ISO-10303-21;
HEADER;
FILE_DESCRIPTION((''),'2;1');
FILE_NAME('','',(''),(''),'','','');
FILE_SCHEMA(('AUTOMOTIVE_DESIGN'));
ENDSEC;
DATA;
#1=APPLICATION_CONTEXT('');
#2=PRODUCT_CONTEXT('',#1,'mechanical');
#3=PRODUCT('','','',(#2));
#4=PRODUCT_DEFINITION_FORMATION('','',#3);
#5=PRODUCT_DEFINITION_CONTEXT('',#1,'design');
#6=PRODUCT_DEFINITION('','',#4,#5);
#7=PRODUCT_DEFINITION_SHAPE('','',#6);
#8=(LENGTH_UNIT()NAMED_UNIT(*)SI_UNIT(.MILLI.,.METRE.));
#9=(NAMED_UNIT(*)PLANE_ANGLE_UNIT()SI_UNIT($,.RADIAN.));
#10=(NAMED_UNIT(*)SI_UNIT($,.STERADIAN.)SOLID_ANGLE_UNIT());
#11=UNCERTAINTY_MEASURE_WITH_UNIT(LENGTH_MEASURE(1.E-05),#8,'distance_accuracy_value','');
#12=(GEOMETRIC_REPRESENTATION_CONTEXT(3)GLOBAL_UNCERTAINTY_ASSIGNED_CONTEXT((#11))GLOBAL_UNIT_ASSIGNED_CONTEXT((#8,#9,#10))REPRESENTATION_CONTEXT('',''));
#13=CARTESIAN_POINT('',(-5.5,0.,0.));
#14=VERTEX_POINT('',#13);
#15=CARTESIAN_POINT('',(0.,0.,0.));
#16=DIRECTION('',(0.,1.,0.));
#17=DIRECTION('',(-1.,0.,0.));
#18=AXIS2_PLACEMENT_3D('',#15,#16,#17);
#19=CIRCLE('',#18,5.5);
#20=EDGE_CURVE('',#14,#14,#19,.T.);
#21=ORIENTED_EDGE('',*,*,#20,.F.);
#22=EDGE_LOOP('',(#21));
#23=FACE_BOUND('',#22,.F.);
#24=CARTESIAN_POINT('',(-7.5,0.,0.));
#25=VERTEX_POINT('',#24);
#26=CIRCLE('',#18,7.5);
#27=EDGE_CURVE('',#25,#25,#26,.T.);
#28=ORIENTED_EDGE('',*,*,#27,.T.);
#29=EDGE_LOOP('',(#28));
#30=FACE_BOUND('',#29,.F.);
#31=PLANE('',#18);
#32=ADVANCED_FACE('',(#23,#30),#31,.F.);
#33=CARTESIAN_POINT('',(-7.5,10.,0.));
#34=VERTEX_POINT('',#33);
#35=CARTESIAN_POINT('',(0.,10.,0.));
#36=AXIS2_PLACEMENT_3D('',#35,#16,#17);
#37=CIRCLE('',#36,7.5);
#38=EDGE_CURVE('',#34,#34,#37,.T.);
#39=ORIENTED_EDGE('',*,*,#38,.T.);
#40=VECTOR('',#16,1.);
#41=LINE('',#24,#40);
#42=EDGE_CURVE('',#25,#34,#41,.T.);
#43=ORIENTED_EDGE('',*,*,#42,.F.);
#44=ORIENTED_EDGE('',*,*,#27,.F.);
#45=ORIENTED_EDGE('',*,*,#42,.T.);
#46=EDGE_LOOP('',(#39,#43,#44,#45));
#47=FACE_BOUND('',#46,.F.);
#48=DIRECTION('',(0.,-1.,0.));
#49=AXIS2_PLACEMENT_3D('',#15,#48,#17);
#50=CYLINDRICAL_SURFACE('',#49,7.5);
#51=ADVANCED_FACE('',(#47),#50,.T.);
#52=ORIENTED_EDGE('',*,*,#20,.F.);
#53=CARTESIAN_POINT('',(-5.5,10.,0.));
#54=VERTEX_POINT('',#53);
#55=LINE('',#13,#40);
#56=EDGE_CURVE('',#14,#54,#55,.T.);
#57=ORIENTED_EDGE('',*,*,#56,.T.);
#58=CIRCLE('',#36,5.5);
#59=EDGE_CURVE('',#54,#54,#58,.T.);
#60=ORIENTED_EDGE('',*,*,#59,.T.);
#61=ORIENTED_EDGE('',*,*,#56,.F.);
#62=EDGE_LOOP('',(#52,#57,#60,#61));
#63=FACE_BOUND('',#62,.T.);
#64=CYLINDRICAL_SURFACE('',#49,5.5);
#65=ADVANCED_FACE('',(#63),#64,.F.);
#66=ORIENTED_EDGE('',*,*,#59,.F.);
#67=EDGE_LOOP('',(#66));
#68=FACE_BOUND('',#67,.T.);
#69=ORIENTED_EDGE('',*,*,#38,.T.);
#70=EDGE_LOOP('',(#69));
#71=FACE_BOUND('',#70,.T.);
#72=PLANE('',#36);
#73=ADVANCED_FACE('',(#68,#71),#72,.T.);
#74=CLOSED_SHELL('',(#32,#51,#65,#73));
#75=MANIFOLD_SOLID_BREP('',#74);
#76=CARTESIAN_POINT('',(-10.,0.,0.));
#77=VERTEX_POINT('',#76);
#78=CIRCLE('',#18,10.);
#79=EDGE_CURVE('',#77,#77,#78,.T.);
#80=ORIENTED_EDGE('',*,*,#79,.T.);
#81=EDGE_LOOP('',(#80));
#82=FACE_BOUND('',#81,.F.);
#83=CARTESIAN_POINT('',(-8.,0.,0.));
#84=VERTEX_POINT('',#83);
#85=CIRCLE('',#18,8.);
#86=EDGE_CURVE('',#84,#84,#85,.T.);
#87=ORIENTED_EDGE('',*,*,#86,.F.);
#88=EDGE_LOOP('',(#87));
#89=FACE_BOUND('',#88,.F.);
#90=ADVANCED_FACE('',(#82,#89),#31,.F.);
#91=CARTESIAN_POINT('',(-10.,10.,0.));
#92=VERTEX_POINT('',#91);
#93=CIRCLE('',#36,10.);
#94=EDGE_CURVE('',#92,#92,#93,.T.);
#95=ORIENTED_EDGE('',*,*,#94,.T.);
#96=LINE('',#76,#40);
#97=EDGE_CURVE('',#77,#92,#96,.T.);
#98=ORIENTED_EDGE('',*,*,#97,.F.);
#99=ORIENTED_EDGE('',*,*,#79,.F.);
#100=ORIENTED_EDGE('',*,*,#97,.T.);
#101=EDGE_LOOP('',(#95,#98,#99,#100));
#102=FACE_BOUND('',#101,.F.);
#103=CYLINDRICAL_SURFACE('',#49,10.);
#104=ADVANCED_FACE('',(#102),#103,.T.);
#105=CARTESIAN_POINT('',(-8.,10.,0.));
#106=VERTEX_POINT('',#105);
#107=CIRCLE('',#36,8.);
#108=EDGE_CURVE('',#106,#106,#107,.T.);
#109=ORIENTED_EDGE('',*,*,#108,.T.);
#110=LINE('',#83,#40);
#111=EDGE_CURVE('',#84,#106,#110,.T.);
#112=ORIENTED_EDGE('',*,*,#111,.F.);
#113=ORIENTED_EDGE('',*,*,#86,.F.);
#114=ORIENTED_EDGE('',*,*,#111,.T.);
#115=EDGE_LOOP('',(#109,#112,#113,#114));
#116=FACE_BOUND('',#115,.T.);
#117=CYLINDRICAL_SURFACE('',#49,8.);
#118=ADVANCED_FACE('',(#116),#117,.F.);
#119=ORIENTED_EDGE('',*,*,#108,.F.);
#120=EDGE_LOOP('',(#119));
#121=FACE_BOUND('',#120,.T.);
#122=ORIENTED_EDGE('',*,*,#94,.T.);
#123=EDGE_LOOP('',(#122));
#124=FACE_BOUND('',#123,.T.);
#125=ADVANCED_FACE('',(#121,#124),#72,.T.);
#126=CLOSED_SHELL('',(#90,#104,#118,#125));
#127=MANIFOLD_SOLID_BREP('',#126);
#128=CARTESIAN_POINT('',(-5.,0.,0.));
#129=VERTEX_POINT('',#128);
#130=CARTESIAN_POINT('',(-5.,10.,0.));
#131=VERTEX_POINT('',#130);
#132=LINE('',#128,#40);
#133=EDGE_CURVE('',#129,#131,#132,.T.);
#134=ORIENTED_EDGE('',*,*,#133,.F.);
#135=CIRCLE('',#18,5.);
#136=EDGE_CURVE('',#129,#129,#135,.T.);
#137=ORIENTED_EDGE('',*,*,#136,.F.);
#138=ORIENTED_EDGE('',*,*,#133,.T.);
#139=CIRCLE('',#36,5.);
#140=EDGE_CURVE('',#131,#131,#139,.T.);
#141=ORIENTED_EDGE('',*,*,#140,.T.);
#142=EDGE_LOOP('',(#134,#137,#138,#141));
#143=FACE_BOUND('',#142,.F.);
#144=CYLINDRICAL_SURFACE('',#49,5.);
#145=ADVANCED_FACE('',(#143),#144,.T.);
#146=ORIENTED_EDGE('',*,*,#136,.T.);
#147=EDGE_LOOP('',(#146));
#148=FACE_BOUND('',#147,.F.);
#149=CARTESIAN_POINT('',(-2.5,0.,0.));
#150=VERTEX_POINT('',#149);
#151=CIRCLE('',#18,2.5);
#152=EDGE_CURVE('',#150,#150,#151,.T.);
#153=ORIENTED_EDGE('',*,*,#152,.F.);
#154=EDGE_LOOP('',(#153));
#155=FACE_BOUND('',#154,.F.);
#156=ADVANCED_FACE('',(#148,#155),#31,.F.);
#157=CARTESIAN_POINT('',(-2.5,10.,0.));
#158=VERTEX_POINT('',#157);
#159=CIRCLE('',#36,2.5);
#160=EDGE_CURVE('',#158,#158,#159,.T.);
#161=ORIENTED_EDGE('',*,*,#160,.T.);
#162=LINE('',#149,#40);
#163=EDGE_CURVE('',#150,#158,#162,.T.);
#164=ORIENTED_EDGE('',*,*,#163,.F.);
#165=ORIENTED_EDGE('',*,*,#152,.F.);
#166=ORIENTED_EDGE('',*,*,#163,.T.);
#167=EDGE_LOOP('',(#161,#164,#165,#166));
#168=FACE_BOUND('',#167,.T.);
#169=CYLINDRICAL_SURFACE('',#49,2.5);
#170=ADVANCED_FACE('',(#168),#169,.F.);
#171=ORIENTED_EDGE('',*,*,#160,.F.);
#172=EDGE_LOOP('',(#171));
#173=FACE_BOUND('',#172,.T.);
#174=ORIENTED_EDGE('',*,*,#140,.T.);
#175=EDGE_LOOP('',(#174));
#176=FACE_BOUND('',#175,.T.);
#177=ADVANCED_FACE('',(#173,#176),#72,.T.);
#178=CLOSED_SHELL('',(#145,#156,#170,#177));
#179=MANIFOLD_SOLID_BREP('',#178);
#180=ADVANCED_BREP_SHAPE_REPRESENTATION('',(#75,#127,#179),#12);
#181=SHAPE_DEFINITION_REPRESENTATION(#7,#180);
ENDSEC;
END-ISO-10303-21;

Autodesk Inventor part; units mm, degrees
ref_plane "YZ Plane" through (0, 0, 0) normal (1, 0, 0) x (0, 1, 0)
ref_plane "XZ Plane" through (0, 0, 0) normal (0, 1, 0) x (-1, 0, 0)
ref_plane "XY Plane" through (0, 0, 0) normal (0, 0, 1) x (1, 0, 0)
sketch "Sketch1" plane through (0, 0, 0) normal (0, 1, 0) x (-1, 0, 0)
  circle A0 centre (0, 0) radius 7.5
  circle A1 centre (0, 0) radius 8
  circle A2 centre (0, 0) radius 5
  circle A3 centre (0, 0) radius 10
  circle A4 centre (0, 0) radius 5.5
  circle A5 centre (0, 0) radius 2.5
  dimension "d0" = 15
  dimension "d1" = 16
  dimension "d2" = 10
  dimension "d3" = 20
  dimension "d6" = 11
  dimension "d7" = 5
extrude "Extrusion1" add sketch "Sketch1" along normal blind 10
